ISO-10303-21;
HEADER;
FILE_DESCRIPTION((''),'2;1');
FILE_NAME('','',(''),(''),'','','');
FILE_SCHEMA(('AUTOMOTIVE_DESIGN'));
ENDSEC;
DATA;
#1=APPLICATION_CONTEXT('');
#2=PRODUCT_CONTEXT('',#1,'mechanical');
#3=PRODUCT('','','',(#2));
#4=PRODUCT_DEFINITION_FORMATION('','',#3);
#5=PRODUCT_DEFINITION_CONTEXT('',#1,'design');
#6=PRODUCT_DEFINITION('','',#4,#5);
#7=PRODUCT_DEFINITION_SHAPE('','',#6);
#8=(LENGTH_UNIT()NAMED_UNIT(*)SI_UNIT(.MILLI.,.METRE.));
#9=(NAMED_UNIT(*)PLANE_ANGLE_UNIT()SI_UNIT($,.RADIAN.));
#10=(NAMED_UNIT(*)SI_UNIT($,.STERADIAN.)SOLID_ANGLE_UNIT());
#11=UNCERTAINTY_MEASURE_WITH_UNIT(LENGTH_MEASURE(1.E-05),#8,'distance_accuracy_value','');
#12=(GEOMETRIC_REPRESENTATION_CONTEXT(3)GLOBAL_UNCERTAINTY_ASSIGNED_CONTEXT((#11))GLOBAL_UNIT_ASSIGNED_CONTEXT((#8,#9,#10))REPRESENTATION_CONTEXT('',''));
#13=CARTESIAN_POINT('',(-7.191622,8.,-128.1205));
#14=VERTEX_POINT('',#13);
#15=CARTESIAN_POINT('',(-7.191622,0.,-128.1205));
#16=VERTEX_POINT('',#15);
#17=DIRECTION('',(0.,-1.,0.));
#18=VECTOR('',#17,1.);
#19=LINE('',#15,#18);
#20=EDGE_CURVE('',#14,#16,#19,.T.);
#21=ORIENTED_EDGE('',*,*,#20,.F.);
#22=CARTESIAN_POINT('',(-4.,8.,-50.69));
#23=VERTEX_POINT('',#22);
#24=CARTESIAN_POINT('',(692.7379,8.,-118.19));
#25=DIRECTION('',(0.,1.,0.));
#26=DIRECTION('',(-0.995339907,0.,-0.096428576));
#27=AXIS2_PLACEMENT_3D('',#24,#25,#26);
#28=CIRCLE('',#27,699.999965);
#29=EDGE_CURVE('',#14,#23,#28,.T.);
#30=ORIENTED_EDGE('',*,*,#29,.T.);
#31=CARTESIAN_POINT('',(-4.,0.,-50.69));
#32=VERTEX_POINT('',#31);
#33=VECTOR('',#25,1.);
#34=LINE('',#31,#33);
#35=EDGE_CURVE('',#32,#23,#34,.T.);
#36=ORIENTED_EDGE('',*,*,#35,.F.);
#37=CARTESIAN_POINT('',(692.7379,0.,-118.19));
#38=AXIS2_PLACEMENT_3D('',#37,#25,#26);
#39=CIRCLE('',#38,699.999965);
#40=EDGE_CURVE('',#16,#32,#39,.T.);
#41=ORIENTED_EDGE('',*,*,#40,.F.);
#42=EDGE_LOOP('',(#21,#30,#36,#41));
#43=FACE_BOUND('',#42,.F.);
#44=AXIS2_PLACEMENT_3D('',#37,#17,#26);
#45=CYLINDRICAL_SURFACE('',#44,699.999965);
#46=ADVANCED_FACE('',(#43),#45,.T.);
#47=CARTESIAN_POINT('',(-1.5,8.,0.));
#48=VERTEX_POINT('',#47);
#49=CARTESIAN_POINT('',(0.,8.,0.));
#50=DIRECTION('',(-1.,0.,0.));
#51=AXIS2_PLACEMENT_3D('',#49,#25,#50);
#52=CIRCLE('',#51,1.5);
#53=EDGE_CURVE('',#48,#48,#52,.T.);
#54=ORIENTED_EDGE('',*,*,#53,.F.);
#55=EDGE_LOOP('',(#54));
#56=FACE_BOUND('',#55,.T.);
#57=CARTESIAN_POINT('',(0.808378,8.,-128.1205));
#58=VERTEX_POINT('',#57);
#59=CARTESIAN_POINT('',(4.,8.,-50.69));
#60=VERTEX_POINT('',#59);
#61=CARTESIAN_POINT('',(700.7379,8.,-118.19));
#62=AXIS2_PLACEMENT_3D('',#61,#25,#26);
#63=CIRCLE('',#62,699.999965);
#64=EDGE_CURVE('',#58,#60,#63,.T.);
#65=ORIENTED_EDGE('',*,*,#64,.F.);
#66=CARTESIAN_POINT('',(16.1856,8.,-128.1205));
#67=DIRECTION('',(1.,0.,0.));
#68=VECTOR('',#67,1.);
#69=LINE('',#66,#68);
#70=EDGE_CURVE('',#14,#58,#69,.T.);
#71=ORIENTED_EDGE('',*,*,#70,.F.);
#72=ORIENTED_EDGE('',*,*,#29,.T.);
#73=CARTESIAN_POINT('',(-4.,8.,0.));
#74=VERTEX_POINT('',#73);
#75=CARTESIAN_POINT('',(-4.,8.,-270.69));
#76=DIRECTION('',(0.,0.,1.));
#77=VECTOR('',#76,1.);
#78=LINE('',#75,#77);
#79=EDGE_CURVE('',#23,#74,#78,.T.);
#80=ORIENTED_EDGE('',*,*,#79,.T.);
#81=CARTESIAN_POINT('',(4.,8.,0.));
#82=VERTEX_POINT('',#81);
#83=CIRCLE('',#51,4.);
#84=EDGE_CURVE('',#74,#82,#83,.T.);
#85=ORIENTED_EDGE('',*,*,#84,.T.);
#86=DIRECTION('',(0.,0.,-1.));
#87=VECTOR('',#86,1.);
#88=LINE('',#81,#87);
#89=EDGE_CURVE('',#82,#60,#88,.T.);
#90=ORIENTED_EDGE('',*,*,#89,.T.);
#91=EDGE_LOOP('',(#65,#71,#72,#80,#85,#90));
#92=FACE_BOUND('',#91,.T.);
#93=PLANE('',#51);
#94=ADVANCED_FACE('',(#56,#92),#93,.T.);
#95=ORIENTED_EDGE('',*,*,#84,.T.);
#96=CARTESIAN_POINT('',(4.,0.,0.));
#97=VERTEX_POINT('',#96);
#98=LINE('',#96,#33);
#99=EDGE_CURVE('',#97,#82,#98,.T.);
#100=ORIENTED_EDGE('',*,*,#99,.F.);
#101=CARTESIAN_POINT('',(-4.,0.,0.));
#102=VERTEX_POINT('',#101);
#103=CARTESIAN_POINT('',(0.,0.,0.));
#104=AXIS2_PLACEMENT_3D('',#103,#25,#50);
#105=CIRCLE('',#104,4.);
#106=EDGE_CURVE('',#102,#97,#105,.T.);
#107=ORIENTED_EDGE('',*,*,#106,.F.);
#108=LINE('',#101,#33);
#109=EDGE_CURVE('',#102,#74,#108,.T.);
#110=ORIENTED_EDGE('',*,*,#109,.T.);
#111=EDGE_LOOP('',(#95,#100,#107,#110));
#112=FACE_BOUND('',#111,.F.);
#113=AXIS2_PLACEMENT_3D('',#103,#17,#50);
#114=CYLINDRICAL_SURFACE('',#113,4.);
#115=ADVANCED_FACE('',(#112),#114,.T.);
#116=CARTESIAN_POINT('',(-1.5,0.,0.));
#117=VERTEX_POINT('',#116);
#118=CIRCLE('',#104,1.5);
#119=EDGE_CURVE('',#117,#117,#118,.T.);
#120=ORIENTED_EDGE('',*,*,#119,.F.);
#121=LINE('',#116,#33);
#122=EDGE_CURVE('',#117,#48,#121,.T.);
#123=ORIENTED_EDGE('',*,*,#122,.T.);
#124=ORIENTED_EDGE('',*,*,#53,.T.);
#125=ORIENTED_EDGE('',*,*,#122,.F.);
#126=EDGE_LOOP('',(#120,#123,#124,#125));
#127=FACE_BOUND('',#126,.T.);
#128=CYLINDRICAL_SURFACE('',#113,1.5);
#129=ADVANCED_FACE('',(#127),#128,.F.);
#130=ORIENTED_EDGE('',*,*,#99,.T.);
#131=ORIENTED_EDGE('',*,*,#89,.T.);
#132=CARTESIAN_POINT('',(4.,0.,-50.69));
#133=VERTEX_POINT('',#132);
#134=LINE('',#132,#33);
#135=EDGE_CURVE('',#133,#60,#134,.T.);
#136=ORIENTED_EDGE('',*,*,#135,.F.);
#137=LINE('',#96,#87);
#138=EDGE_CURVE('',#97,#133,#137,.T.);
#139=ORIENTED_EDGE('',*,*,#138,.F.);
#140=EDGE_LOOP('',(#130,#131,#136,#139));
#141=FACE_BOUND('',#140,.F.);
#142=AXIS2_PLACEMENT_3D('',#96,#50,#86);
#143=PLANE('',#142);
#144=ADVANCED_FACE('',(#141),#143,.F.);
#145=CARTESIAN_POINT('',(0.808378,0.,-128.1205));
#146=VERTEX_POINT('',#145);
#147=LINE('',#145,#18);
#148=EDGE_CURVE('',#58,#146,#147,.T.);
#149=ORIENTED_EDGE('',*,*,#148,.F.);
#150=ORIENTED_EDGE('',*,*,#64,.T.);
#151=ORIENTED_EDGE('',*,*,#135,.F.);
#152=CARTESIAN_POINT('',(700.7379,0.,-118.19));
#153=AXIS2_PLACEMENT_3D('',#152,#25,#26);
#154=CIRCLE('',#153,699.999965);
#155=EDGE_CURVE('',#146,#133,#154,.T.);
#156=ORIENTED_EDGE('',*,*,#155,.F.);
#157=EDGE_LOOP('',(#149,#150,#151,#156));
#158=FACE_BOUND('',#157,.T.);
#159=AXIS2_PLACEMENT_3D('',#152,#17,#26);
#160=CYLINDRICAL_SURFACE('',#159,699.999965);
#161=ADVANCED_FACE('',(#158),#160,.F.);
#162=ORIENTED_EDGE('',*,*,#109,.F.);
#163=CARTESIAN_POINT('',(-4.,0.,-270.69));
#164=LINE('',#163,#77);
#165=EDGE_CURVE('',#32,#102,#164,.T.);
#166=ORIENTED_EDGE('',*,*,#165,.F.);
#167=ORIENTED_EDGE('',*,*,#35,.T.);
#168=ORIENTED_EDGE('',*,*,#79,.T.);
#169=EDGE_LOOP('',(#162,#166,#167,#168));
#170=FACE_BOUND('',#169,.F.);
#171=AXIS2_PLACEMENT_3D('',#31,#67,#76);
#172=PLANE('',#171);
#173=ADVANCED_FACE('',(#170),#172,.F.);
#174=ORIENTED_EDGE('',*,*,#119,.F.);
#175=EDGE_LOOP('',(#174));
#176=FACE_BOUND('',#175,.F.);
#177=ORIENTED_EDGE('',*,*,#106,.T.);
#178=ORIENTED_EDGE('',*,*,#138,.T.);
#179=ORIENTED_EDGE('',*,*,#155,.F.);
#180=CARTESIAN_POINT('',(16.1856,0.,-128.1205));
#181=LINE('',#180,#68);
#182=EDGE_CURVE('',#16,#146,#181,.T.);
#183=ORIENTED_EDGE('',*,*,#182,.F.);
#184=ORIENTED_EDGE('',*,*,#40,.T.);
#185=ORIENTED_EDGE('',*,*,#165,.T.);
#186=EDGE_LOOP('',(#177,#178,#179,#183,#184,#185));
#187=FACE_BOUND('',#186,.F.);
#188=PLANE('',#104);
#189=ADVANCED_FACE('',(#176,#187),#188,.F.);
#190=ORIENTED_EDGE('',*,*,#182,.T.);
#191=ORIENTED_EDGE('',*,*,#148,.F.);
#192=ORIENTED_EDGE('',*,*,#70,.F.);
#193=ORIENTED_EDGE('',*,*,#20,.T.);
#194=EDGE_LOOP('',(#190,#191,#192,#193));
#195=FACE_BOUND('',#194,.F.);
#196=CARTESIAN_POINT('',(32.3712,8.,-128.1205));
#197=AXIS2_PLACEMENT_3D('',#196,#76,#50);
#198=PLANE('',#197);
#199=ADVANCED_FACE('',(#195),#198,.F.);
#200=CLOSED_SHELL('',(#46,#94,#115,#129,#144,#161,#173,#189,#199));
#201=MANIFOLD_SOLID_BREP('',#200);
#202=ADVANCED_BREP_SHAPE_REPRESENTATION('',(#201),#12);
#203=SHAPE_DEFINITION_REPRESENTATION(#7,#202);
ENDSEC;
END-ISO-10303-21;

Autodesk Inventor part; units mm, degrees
ref_plane "XZ Plane" through (0, 0, 0) normal (0, 1, 0) x (-1, 0, 0)
ref_plane "XY Plane" through (0, 0, 0) normal (0, 0, 1) x (1, 0, 0)
sketch "Sketch1" plane through (0, 0, 0) normal (0, 1, 0) x (-1, 0, 0)
  line L0 (0, 0) -> (0, -270.69) construction
  line L1 (-4, 0) -> (-4, -270.69)
  line L2 (4, -270.69) -> (4, 0)
  arc A0 (4, 0) -> (-4, 0) centre (0, 0) ccw
  arc A1 (-4, -270.69) -> (4, -270.69) centre (0, -270.69) ccw
  circle A2 centre (0, 0) radius 1.5
  circle A3 centre (0, -270.69) radius 1.5
  line L3 (0, -251.19) -> (0, -190.69) construction
  line L4 (1.5, -251.19) -> (1.5, -190.69)
  line L5 (-1.5, -190.69) -> (-1.5, -251.19)
  arc A4 (-1.5, -251.19) -> (1.5, -251.19) centre (0, -251.19) ccw
  arc A5 (1.5, -190.69) -> (-1.5, -190.69) centre (0, -190.69) ccw
  arc A6 (-4, -185.69) -> (-4, -50.69) centre (-700.7379, -118.19) ccw
  arc A7 (4, -185.69) -> (4, -50.69) centre (-692.7379, -118.19) ccw
  point P0 (0, -135.345)
  point P1 (0, -220.94)
  dimension "d0" = 270.69
  dimension "d1" = 8
  dimension "d2" = 3
  dimension "d3" = 3
  dimension "d10" = 3
  dimension "d11" = 19.5
  dimension "d12" = 80
  dimension "d13" = 85
  dimension "d14" = 220
  dimension "d15" = 700
  dimension "d16" = 700
extrude "Extrusion1" add sketch "Sketch1" along normal blind 8 contours A0 L2 A1 L1 A6 | A7 L2
sketch "Sketch2" plane through (0, 0, 0) normal (0, -1, 0) x (1, 0, 0)
  line L0 (4, 0) -> (4, -50.69) projected
  arc A0 (4, 0) -> (-4, 0) centre (0, 0) ccw projected
  line L1 (-4, -50.69) -> (-4, 0) projected
  arc A1 (-4, -50.69) -> (-4, -185.69) centre (692.7379, -118.19) ccw projected
  line L2 (-4, -270.69) -> (-4, -185.69) projected
  arc A2 (-4, -270.69) -> (4, -270.69) centre (0, -270.69) ccw projected
  line L3 (4, -185.69) -> (4, -270.69) projected
  arc A3 (4, -50.69) -> (4, -185.69) centre (700.7379, -118.19) ccw projected
  circle A4 centre (0, 0) radius 1.5 projected
  circle A5 centre (0, -270.69) radius 1.5 projected
  arc A6 (-1.5, -251.19) -> (1.5, -251.19) centre (0, -251.19) ccw projected
  line L4 (-1.5, -190.69) -> (-1.5, -251.19) projected
  arc A7 (1.5, -190.69) -> (-1.5, -190.69) centre (0, -190.69) ccw projected
  line L5 (1.5, -251.19) -> (1.5, -190.69) projected
sketch "Sketch3" plane through (0, 8, 0) normal (0, 1, 0) x (1, 0, 0)
  line L0 (-41.336, 299.9474) -> (32.3712, 299.9474)
  line L1 (32.3712, 299.9474) -> (32.3712, 128.1205)
  line L2 (32.3712, 128.1205) -> (-41.336, 128.1205)
  line L3 (-41.336, 128.1205) -> (-41.336, 299.9474)
  line L4 (-75.6075, 328.1158) -> (61.009, 328.1158)
  line L5 (61.009, 328.1158) -> (61.009, -56.3822)
  line L6 (61.009, -56.3822) -> (-75.6075, -56.3822)
  line L7 (-75.6075, -56.3822) -> (-75.6075, 328.1158)
  point P0 (0, 0)
extrude "Extrusion2" cut sketch "Sketch3" along normal mid plane 20 contours L0 L1 L2 L3
sketch "Sketch4" plane through (0, 0, 0) normal (0, -1, 0) x (1, 0, 0)
  line L0 (-7.1916, -128.1205) -> (0.8084, -128.1205) projected
  arc A0 (-4, -50.69) -> (-7.1916, -128.1205) centre (692.7379, -118.19) ccw projected
  arc A1 (4, -50.69) -> (0.8084, -128.1205) centre (700.7379, -118.19) ccw projected
  line L1 (4, 0) -> (4, -50.69) projected
  arc A2 (4, 0) -> (-4, 0) centre (0, 0) ccw projected
  line L2 (-4, -50.69) -> (-4, 0) projected
properties part number "Part_11_p2"
